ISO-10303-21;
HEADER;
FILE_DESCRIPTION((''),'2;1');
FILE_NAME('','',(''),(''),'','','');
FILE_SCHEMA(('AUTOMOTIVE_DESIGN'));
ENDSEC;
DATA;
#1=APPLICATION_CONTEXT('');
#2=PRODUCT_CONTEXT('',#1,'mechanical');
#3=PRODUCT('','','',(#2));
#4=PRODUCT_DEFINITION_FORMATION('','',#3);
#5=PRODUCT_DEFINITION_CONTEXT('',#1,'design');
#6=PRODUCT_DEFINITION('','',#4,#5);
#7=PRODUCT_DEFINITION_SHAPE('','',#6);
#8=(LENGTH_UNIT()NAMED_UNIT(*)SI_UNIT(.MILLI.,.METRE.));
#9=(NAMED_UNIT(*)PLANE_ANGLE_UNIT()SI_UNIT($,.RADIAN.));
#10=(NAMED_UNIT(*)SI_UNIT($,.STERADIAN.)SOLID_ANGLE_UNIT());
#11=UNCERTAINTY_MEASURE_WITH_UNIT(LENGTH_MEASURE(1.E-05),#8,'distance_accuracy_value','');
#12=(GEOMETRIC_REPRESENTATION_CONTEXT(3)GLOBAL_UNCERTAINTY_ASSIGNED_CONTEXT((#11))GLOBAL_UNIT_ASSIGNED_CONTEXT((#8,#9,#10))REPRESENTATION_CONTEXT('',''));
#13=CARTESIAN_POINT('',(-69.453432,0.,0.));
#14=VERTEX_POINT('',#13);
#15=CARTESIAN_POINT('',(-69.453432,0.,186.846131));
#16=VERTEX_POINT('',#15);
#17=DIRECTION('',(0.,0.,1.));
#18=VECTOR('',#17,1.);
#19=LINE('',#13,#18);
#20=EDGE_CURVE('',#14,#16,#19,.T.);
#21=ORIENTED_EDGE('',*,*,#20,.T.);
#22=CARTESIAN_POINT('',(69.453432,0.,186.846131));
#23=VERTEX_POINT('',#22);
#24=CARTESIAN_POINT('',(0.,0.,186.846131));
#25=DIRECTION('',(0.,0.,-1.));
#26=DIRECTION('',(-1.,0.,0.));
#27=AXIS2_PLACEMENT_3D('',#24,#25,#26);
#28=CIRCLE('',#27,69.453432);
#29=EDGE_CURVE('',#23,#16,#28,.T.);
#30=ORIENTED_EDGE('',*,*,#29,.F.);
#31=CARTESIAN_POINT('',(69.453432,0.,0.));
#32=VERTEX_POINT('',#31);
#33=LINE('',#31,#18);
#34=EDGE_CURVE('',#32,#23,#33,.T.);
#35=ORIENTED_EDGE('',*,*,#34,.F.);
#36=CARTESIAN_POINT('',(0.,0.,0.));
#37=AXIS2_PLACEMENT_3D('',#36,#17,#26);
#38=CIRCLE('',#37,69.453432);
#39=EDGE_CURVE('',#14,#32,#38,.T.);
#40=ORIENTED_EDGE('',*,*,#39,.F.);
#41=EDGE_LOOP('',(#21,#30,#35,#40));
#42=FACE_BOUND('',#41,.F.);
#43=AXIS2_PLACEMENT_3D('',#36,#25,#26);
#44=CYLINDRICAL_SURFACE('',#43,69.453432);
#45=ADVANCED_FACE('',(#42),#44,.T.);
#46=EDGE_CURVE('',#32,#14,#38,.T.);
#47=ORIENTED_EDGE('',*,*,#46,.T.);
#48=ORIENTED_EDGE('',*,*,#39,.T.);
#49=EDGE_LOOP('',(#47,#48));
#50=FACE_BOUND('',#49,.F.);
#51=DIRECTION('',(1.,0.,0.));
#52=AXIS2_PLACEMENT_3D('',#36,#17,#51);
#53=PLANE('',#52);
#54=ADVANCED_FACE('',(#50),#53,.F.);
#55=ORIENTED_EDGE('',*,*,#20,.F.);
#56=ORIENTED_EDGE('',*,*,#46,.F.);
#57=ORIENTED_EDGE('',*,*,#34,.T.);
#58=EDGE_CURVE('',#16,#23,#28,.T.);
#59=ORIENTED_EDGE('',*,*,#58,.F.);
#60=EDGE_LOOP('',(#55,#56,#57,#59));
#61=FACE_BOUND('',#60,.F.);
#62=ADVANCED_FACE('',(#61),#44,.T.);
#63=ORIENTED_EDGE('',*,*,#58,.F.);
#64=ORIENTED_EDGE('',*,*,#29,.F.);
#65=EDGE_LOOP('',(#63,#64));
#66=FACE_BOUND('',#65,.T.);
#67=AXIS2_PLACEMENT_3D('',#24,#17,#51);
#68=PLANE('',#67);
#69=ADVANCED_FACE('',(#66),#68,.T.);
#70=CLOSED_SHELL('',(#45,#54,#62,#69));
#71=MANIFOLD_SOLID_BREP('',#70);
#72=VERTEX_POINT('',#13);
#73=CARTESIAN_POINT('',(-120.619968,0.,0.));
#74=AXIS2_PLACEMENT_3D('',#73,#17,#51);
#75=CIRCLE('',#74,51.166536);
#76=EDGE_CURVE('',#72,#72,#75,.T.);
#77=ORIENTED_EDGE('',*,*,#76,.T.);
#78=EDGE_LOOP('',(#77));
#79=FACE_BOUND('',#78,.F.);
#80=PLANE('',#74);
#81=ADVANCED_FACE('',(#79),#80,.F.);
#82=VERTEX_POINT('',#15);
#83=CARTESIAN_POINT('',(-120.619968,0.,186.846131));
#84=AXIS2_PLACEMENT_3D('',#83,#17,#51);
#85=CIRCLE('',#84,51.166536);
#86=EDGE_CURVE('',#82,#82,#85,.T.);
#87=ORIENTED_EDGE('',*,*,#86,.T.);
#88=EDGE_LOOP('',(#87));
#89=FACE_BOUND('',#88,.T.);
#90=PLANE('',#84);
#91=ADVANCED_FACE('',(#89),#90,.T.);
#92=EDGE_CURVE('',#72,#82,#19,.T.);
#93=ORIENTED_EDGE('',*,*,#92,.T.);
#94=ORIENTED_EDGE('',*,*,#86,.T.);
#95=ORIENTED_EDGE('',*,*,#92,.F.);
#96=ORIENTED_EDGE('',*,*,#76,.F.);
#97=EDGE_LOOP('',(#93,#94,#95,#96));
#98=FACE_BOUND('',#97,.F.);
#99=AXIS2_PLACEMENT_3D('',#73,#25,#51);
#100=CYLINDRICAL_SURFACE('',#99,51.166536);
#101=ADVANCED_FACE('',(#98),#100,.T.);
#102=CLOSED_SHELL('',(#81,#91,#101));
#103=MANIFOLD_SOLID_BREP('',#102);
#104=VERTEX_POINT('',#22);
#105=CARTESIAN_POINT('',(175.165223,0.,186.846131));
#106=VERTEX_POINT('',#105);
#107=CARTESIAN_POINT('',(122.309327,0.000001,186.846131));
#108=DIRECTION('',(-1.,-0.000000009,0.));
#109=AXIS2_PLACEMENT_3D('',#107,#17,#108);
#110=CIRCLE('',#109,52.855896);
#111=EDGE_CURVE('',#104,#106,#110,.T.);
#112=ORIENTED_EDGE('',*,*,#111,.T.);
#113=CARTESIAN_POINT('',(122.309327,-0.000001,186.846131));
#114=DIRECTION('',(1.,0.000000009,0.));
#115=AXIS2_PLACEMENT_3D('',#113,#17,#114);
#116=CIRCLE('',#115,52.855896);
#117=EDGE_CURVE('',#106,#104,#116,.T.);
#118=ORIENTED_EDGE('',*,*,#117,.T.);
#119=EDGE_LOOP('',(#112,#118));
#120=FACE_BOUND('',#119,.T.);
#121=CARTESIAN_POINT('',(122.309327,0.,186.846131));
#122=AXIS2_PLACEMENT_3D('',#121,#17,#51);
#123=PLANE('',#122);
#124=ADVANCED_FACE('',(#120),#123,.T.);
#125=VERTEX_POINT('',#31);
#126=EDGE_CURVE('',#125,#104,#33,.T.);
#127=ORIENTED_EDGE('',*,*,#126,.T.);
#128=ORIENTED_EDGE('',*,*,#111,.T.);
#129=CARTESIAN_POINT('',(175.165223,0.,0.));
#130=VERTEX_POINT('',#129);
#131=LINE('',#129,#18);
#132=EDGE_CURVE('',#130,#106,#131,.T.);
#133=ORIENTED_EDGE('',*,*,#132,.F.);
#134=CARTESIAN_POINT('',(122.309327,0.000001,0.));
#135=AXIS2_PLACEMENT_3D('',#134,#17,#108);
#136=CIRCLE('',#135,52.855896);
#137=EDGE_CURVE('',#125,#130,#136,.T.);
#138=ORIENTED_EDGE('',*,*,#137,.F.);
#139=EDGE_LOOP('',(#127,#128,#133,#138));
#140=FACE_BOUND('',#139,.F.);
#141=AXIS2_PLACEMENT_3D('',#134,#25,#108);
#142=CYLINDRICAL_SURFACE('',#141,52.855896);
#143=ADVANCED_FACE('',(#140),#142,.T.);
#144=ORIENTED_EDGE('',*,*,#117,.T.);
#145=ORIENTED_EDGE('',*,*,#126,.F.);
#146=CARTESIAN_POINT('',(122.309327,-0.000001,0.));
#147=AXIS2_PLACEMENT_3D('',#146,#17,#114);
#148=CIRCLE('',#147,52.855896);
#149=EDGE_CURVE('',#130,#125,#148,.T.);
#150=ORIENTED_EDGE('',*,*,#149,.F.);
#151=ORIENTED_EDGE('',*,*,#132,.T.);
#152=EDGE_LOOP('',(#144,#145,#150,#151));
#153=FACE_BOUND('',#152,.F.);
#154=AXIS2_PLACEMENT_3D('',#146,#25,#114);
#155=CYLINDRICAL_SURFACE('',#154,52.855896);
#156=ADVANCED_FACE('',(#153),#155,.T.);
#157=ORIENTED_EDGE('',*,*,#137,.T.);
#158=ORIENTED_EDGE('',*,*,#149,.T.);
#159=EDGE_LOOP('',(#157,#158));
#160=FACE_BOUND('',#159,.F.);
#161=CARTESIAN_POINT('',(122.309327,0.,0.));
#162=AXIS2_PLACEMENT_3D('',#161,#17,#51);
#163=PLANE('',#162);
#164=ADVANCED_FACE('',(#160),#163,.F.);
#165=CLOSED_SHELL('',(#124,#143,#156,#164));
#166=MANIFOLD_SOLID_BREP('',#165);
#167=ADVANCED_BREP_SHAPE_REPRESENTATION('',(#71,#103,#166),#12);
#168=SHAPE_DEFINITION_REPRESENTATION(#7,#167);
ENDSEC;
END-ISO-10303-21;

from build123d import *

# Parameters (mm, degrees)
F0_R     = 51.166536
F1_DEPTH = 186.846131


with BuildPart() as f1:
    # F0 (on Top) → F1 (new body)
    with BuildSketch(Plane.XY):
        with BuildLine():
            ThreePointArc((-69.453432, 0), (0, -69.453432), (69.453432, 0))
            ThreePointArc((69.453432, 0), (0, 69.453432), (-69.453432, 0))
        make_face()
        with Locations((-120.619968, 0)):
            Circle(F0_R)
        with BuildLine():
            ThreePointArc((175.165223, 0), (122.309327, 52.855895), (69.453432, 0))
            ThreePointArc((69.453432, 0), (122.309327, -52.855895), (175.165223, 0))
        make_face()
    extrude(amount=F1_DEPTH)


solid = f1.part
